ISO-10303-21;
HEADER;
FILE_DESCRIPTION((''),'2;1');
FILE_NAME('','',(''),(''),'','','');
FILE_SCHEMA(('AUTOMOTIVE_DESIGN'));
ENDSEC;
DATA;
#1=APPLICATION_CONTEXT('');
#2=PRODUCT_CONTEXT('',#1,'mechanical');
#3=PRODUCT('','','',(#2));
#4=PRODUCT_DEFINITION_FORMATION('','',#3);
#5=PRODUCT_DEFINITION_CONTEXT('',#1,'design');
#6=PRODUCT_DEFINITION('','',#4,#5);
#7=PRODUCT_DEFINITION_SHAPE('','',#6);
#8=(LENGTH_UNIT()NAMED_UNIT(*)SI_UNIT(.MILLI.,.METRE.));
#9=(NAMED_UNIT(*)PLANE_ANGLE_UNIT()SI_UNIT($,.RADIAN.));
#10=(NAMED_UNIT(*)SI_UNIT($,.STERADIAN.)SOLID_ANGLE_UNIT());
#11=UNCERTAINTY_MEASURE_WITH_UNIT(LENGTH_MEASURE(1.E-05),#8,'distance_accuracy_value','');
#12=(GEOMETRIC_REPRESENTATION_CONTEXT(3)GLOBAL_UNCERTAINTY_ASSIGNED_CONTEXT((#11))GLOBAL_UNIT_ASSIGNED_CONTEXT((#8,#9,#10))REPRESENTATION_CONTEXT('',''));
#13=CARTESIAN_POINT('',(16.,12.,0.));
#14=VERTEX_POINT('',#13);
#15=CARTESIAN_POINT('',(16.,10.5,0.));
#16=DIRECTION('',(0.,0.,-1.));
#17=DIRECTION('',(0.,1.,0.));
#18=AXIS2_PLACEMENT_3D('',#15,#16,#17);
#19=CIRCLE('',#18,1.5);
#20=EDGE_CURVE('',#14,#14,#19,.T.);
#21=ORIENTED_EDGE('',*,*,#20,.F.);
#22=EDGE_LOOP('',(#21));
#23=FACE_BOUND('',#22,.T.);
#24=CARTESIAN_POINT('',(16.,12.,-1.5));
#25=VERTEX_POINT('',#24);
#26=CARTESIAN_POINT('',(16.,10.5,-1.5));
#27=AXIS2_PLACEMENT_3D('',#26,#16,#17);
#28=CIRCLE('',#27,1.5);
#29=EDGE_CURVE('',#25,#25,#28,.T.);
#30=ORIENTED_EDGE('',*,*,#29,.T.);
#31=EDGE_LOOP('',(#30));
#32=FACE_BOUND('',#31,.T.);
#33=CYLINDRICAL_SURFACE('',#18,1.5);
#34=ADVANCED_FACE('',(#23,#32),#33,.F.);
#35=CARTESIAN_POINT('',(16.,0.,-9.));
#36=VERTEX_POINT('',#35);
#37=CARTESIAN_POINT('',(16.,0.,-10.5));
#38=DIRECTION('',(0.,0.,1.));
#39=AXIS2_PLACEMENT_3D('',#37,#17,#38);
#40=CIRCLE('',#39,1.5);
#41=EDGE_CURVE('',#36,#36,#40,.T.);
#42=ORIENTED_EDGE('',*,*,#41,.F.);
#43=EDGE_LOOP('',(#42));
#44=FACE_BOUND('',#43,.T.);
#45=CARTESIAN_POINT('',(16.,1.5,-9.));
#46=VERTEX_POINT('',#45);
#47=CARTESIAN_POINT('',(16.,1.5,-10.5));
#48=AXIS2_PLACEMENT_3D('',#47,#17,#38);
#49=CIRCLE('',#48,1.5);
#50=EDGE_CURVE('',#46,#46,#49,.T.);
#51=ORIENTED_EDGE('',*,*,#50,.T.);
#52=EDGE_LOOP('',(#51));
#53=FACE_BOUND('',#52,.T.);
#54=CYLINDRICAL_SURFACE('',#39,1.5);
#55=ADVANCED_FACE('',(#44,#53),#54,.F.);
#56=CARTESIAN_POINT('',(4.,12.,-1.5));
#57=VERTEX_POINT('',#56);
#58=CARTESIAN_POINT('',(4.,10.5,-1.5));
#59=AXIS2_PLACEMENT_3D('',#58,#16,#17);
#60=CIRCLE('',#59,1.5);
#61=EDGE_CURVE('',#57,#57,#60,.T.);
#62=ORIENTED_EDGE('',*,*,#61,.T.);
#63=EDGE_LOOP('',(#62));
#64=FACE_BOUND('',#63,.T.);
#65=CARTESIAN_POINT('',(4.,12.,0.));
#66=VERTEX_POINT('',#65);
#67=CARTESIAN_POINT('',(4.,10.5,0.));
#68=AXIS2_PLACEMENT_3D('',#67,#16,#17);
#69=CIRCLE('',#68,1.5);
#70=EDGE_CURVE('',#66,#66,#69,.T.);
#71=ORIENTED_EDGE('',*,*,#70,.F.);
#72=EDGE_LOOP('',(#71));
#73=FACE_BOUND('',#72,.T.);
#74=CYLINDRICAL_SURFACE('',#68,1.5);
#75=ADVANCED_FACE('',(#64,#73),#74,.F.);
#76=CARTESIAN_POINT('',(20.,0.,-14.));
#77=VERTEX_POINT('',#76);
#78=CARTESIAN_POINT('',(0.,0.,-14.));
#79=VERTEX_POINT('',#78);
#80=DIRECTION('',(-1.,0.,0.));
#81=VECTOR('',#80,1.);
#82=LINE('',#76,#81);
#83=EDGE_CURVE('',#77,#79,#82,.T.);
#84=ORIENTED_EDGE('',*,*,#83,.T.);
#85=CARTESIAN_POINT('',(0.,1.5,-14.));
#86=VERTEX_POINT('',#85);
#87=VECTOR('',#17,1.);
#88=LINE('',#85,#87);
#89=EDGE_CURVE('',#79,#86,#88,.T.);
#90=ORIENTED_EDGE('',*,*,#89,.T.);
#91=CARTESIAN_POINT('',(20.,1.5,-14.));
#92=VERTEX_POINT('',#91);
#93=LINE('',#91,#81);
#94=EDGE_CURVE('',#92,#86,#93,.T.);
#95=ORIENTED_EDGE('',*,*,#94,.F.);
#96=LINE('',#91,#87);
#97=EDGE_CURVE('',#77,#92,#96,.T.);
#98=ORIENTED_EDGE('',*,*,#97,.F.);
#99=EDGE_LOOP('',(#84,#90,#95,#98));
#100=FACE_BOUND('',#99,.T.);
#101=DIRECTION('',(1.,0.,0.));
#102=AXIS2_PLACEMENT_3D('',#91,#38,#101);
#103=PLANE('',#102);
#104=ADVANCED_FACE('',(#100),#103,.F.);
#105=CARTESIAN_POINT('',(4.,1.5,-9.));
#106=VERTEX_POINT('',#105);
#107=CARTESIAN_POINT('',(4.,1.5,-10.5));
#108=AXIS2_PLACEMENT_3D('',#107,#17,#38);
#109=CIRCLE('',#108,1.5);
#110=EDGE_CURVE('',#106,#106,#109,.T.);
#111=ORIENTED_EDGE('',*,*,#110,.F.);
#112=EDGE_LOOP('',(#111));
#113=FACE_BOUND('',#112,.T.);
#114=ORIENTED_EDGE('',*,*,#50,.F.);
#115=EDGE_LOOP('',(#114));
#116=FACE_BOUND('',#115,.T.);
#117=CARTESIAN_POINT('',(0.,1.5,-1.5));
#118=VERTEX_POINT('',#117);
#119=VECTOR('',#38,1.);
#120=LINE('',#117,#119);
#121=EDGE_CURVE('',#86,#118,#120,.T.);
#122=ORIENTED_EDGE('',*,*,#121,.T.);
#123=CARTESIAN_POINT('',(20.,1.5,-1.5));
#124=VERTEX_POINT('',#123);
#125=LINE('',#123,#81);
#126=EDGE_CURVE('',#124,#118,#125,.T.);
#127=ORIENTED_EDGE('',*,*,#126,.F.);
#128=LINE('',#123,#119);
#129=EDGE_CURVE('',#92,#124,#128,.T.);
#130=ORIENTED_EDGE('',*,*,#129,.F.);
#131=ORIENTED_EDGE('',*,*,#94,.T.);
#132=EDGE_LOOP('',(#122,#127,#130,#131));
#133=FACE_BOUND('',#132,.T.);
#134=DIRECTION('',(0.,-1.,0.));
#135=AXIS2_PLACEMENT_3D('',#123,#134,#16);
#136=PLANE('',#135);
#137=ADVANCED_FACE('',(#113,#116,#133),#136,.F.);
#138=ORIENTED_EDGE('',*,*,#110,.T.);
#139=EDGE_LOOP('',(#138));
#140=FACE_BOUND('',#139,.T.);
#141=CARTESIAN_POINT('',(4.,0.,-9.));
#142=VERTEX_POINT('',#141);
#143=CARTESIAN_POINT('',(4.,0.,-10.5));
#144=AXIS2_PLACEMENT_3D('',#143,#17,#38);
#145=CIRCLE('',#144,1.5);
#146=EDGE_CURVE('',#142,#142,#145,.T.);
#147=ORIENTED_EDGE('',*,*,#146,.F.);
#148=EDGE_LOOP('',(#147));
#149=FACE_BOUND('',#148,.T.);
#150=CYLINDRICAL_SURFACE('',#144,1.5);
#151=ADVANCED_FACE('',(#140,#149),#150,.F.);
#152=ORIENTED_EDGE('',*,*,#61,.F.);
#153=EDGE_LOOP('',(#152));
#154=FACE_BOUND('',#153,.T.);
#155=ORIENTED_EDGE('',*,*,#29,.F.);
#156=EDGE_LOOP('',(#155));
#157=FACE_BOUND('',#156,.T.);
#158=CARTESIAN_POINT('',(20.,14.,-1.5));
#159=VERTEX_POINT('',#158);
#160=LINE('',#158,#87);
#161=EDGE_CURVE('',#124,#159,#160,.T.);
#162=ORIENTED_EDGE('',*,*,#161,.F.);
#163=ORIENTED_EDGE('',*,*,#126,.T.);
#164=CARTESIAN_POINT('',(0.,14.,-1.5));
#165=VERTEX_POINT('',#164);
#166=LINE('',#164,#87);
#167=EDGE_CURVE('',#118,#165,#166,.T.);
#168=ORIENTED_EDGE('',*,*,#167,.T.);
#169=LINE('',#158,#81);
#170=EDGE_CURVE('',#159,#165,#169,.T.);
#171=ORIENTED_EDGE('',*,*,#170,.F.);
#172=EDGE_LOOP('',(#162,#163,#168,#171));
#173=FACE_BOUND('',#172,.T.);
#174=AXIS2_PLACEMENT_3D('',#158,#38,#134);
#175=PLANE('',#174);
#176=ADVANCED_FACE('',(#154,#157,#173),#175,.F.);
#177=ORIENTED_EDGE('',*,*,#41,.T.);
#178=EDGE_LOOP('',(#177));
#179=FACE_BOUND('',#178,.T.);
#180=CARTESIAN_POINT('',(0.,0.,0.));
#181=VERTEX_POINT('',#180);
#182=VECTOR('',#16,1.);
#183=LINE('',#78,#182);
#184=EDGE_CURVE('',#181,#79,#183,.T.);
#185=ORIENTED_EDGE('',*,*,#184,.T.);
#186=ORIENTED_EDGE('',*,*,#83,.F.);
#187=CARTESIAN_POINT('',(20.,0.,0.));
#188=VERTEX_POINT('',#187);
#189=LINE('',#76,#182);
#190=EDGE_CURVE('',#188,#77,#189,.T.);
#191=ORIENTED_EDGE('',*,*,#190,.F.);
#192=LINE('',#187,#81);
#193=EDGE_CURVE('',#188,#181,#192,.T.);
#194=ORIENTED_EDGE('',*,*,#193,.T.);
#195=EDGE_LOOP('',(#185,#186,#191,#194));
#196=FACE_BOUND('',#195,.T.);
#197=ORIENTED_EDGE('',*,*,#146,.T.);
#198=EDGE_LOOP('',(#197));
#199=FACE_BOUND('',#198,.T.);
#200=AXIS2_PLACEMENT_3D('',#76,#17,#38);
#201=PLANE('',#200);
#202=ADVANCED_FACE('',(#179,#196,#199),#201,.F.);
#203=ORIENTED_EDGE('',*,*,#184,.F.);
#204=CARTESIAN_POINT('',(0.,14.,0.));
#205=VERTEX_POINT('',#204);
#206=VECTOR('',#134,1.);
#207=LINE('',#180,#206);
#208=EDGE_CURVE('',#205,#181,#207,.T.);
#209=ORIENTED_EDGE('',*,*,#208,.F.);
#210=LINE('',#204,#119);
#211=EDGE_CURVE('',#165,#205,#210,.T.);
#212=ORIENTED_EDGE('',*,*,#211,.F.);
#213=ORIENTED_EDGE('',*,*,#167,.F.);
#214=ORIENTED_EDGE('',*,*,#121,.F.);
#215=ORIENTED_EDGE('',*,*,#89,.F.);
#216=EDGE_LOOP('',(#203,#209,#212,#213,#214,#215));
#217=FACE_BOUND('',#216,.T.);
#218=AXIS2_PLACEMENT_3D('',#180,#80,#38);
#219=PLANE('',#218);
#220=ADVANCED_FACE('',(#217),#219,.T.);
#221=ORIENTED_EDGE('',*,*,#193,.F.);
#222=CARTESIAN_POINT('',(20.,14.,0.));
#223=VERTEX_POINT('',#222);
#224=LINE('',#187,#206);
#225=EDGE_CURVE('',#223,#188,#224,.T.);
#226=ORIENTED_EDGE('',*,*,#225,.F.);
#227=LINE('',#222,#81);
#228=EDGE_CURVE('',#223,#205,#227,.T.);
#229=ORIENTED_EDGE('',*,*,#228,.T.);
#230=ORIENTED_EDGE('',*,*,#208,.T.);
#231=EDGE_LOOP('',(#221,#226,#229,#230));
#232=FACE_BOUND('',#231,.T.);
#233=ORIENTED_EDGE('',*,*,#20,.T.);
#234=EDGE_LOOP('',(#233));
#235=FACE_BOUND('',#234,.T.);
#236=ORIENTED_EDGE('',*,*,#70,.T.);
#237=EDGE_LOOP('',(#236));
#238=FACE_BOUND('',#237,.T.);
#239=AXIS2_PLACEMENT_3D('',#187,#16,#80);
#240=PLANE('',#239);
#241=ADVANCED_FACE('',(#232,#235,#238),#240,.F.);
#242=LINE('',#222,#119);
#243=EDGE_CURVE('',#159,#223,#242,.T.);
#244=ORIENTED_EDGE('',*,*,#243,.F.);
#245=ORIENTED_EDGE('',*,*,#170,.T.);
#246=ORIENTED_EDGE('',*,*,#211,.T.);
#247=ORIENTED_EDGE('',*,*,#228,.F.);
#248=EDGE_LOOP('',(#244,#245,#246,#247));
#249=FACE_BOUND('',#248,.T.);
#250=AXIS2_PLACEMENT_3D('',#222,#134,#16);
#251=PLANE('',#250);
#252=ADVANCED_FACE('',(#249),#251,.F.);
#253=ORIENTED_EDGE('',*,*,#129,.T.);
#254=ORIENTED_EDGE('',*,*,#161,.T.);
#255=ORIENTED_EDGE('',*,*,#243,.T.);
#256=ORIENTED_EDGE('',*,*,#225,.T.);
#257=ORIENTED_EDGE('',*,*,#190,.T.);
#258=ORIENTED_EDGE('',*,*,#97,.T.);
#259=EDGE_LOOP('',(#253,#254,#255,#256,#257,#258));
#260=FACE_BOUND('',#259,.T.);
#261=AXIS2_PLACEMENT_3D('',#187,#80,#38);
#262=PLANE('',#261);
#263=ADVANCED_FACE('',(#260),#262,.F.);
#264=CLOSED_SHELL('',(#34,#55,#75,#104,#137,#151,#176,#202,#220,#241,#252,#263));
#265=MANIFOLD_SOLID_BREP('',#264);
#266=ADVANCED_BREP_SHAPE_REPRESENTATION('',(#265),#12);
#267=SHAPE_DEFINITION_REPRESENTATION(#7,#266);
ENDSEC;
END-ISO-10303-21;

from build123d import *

# Parameters (mm, degrees)
EXTRUDE_1_DEPTH     = 20
SKETCH_2_R          = 1.5
CUT_EXTRUDE_1_DEPTH = 28.427176304
SKETCH_3_R          = 1.5
CUT_EXTRUDE_2_DEPTH = 28.427176304


with BuildPart() as part:
    # 草图1 → 凸台-拉伸1 (new body)
    with BuildSketch(Plane(origin=(0, 0, 0), x_dir=(0, 0, -1), z_dir=(1, 0, 0))):
        Polygon((0, 0), (0, 14), (1.5, 14), (1.5, 1.5), (14, 1.5), (14, 0), align=None)
    extrude(amount=EXTRUDE_1_DEPTH)

    # 草图2 → 切除-拉伸1 (cut, through all)
    with BuildSketch(Plane(origin=(0, 0, -1.5), x_dir=(-1, 0, 0), z_dir=(0, 0, -1))):
        with Locations(Location((-16, 10.5, 0), (0, 0, 90))):
            Circle(SKETCH_2_R)
        with Locations(Location((-4, 10.5, 0), (0, 0, 90))):
            Circle(SKETCH_2_R)
    extrude(amount=-CUT_EXTRUDE_1_DEPTH, mode=Mode.SUBTRACT)

    # 草图3 → 切除-拉伸2 (cut, through all)
    with BuildSketch(Plane(origin=(0, 1.5, 0), x_dir=(1, 0, 0), z_dir=(0, 1, 0))):
        with Locations(Location((4, 10.5, 0), (0, 0, 270))):
            Circle(SKETCH_3_R)
        with Locations(Location((16, 10.5, 0), (0, 0, 270))):
            Circle(SKETCH_3_R)
    extrude(amount=-CUT_EXTRUDE_2_DEPTH, mode=Mode.SUBTRACT)


solid = part.part
